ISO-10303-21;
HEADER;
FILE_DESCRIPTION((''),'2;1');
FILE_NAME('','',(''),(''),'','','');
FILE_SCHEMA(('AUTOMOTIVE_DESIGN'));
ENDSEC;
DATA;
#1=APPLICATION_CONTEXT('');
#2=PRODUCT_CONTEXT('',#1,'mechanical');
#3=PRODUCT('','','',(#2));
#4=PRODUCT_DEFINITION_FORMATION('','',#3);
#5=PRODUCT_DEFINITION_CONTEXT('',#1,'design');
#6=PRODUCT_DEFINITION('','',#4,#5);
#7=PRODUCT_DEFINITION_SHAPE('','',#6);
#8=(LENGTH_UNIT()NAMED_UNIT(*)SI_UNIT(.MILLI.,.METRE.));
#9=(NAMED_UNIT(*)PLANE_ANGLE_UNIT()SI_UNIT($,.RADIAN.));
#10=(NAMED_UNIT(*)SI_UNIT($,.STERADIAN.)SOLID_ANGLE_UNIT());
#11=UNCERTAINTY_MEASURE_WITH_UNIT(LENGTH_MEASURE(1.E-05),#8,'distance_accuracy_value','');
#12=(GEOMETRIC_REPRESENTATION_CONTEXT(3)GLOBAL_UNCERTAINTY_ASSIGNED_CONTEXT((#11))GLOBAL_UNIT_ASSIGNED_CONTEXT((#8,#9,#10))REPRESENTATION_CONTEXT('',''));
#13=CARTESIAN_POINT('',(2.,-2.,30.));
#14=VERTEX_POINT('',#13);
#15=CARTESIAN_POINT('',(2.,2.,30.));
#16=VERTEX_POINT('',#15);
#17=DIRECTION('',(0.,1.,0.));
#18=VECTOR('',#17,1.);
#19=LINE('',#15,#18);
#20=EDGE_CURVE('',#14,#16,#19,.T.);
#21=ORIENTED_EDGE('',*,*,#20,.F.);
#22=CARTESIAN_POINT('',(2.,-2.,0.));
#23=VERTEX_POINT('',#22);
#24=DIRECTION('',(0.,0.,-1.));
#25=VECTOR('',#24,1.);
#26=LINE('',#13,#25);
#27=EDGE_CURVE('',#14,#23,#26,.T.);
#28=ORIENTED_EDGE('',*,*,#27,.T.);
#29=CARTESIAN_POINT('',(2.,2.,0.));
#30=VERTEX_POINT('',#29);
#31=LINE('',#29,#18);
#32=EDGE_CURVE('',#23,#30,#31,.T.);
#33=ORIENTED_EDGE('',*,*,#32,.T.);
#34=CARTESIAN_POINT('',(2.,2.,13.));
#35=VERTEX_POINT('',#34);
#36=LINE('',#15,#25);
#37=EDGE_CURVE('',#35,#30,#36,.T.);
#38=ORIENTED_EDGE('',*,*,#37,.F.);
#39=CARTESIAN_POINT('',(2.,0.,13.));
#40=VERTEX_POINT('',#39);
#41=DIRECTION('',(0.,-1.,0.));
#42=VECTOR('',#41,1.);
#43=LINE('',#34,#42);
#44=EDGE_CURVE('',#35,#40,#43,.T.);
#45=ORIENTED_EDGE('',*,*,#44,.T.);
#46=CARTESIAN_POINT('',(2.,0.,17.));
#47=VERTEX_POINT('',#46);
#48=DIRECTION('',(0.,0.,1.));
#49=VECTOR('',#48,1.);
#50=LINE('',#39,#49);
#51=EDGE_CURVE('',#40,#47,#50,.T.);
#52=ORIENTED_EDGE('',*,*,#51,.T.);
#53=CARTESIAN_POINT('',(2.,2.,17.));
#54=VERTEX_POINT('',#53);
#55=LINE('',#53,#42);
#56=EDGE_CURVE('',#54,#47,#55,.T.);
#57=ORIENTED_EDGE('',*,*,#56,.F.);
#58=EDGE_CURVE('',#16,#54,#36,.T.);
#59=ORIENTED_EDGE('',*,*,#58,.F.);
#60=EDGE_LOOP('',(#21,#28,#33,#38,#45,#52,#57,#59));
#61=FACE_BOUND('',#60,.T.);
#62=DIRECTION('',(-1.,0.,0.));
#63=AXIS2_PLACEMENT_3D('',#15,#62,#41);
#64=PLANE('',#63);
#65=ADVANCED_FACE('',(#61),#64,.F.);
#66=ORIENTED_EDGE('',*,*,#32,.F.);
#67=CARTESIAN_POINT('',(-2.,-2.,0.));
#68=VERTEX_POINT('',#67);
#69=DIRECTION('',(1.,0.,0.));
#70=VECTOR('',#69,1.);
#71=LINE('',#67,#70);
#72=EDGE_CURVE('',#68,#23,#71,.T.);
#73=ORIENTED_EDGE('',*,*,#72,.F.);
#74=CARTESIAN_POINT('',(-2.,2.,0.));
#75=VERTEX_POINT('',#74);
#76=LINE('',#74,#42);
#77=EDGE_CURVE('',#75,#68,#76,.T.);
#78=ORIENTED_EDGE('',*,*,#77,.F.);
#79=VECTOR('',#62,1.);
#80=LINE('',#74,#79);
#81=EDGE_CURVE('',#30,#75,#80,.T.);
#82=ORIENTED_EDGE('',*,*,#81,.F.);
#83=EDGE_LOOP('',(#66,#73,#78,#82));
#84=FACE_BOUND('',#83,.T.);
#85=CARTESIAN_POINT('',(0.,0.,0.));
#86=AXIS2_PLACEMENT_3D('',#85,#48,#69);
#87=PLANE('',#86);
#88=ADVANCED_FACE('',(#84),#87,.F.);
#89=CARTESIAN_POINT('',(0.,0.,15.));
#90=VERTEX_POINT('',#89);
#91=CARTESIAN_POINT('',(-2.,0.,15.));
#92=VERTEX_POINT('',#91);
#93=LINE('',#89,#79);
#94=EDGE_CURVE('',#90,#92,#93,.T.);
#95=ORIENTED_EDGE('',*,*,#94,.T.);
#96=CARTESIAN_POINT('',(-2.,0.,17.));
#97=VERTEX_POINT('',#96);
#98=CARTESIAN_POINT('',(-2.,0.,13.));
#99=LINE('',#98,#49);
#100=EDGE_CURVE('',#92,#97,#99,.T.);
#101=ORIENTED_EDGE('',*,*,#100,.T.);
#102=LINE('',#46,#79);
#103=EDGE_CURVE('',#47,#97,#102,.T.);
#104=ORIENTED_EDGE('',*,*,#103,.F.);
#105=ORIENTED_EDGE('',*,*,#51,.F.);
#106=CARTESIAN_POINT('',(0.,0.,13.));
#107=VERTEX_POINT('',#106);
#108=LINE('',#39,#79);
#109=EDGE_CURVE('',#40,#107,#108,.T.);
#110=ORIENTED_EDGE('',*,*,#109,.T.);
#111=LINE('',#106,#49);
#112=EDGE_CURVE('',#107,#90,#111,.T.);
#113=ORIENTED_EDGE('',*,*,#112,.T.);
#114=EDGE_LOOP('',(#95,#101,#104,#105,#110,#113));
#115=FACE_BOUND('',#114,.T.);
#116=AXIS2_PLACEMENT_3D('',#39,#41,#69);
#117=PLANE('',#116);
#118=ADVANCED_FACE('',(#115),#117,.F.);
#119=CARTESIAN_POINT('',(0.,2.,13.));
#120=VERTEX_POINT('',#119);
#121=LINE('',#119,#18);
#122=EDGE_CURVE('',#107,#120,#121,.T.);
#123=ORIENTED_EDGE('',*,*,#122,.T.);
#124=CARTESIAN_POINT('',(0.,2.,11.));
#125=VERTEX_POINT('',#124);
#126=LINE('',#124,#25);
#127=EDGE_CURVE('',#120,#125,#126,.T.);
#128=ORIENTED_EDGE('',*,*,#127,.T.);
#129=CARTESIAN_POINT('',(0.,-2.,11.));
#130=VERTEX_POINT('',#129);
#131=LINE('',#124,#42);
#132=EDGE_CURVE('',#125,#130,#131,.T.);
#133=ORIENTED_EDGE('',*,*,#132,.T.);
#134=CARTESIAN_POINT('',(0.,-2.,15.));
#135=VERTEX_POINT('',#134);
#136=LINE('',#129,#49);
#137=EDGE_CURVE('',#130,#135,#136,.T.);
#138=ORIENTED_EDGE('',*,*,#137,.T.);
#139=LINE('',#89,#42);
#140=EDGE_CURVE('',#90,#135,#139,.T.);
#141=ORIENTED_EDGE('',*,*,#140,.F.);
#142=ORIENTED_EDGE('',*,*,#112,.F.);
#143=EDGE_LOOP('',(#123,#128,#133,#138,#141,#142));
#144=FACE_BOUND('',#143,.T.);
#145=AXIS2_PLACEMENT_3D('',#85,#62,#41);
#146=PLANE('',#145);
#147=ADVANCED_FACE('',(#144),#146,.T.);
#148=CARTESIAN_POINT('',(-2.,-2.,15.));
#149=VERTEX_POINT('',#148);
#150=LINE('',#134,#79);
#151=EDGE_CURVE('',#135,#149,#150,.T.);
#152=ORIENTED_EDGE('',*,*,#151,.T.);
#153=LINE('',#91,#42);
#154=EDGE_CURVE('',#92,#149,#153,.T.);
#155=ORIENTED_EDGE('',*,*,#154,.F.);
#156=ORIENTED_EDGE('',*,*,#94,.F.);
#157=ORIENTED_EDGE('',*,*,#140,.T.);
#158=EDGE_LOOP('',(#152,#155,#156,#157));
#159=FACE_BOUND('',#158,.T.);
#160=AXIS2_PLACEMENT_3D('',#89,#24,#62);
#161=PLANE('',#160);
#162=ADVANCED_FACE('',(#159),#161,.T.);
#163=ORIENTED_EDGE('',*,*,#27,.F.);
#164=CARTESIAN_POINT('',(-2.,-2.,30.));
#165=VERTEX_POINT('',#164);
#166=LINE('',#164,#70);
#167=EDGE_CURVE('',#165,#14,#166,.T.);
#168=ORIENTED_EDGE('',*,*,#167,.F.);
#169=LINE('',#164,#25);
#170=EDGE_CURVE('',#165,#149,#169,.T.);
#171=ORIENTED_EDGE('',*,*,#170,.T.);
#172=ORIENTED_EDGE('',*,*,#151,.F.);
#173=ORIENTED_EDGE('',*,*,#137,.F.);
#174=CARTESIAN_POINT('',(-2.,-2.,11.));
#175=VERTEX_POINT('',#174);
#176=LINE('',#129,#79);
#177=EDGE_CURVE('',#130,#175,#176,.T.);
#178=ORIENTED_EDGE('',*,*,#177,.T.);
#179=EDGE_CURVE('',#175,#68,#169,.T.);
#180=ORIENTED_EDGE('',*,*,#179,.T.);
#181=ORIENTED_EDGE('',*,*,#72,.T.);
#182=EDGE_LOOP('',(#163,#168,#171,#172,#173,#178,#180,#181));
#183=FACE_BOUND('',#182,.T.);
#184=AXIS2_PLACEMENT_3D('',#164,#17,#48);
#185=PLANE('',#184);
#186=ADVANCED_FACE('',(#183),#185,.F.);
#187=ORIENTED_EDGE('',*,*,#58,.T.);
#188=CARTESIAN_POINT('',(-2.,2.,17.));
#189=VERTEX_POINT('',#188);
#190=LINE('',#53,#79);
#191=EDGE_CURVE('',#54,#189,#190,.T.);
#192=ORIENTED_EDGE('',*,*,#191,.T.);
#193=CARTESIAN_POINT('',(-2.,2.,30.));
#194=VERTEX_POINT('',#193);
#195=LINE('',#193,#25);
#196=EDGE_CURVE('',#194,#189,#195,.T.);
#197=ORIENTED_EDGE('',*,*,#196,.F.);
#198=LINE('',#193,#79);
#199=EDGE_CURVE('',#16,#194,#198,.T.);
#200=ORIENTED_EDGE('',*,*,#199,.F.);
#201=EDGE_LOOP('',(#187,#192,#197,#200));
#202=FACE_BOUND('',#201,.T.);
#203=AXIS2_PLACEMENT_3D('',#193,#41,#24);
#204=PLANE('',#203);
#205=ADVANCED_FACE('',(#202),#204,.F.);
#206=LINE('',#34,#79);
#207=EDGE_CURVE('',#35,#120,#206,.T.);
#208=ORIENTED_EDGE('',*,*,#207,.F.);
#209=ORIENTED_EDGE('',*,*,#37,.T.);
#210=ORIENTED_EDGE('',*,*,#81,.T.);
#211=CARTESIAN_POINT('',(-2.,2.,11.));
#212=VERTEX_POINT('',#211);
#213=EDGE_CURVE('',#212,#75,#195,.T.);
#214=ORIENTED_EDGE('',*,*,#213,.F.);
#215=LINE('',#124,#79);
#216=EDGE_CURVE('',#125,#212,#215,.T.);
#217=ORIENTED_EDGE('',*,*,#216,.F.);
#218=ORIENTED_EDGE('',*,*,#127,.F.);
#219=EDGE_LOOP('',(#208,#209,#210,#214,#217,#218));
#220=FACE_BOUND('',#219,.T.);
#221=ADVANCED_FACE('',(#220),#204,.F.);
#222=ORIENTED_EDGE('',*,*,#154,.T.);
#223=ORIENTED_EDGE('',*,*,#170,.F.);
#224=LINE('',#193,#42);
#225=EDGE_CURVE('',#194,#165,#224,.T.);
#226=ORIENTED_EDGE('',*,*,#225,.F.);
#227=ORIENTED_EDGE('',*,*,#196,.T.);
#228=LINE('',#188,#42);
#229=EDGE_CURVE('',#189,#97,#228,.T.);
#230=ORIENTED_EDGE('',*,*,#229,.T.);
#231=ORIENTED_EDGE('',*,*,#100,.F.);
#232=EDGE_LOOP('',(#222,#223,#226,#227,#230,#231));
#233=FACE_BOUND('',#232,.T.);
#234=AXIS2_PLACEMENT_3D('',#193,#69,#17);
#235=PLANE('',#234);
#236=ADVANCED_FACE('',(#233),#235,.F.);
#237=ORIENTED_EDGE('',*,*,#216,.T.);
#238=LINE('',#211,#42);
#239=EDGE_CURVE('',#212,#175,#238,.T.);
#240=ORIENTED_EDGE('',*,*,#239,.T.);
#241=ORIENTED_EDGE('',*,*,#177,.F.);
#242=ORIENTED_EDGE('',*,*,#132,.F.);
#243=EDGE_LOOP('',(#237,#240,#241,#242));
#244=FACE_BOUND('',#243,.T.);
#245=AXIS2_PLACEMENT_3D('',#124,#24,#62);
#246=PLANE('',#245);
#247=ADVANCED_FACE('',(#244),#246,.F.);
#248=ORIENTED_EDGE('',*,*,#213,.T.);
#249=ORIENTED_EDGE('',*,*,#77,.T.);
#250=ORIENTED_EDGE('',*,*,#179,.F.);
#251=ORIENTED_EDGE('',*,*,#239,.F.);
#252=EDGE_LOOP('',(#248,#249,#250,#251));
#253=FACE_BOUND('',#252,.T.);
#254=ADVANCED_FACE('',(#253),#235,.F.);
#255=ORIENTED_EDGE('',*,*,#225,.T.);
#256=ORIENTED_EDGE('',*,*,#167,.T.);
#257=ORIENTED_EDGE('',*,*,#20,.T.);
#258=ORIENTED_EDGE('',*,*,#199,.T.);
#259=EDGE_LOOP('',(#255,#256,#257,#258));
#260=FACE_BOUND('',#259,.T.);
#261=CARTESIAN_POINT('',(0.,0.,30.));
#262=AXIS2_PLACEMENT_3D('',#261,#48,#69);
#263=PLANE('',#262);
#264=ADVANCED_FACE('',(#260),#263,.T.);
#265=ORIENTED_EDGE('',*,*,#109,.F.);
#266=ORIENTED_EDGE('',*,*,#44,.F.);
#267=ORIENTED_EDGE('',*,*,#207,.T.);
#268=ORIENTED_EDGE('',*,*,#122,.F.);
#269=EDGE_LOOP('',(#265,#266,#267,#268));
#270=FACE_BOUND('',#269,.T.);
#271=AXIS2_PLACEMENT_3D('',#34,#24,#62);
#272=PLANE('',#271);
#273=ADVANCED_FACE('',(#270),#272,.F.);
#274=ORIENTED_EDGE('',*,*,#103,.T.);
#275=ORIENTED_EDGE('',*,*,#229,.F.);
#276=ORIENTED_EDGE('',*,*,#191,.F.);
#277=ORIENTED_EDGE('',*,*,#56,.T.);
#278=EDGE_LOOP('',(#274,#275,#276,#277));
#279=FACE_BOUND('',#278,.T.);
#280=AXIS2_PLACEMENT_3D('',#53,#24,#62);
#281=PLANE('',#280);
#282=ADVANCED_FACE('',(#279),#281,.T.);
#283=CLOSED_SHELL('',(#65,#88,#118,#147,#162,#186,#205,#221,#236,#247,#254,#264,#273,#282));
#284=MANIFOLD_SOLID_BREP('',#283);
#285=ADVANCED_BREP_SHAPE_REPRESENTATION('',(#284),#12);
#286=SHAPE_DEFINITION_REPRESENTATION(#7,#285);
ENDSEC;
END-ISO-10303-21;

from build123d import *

# Parameters (mm, degrees)
SKETCH_1_W          = 4
SKETCH_1_H          = 4
EXTRUDE_1_DEPTH     = 30
SKETCH_3_W          = 2
SKETCH_3_H          = 4
CUT_EXTRUDE_1_DEPTH = 2
SKETCH_4_W          = 4
SKETCH_4_H          = 2
CUT_EXTRUDE_2_DEPTH = 4
SKETCH_5_W          = 2
SKETCH_5_H          = 2
CUT_EXTRUDE_3_DEPTH = 2


with BuildPart() as part:
    # 草圖1 → 填料-伸長1 (new body)
    with BuildSketch(Plane.XY):
        Rectangle(SKETCH_1_W, SKETCH_1_H)
    extrude(amount=EXTRUDE_1_DEPTH)

    # 草圖3 → 除料-伸長1 (cut)
    with BuildSketch(Plane.ZY.offset(2)):
        with Locations((12, 0)):
            Rectangle(SKETCH_3_W, SKETCH_3_H)
    extrude(amount=-CUT_EXTRUDE_1_DEPTH, mode=Mode.SUBTRACT)

    # 草圖4 → 除料-伸長2 (cut)
    with BuildSketch(Plane.ZY.offset(2)):
        with Locations((15, 1)):
            Rectangle(SKETCH_4_W, SKETCH_4_H)
    extrude(amount=-CUT_EXTRUDE_2_DEPTH, mode=Mode.SUBTRACT)

    # 草圖5 → 除料-伸長3 (cut)
    with BuildSketch(Plane.ZY.offset(2)):
        with Locations((14, -1)):
            Rectangle(SKETCH_5_W, SKETCH_5_H)
    extrude(amount=-CUT_EXTRUDE_3_DEPTH, mode=Mode.SUBTRACT)


solid = part.part
